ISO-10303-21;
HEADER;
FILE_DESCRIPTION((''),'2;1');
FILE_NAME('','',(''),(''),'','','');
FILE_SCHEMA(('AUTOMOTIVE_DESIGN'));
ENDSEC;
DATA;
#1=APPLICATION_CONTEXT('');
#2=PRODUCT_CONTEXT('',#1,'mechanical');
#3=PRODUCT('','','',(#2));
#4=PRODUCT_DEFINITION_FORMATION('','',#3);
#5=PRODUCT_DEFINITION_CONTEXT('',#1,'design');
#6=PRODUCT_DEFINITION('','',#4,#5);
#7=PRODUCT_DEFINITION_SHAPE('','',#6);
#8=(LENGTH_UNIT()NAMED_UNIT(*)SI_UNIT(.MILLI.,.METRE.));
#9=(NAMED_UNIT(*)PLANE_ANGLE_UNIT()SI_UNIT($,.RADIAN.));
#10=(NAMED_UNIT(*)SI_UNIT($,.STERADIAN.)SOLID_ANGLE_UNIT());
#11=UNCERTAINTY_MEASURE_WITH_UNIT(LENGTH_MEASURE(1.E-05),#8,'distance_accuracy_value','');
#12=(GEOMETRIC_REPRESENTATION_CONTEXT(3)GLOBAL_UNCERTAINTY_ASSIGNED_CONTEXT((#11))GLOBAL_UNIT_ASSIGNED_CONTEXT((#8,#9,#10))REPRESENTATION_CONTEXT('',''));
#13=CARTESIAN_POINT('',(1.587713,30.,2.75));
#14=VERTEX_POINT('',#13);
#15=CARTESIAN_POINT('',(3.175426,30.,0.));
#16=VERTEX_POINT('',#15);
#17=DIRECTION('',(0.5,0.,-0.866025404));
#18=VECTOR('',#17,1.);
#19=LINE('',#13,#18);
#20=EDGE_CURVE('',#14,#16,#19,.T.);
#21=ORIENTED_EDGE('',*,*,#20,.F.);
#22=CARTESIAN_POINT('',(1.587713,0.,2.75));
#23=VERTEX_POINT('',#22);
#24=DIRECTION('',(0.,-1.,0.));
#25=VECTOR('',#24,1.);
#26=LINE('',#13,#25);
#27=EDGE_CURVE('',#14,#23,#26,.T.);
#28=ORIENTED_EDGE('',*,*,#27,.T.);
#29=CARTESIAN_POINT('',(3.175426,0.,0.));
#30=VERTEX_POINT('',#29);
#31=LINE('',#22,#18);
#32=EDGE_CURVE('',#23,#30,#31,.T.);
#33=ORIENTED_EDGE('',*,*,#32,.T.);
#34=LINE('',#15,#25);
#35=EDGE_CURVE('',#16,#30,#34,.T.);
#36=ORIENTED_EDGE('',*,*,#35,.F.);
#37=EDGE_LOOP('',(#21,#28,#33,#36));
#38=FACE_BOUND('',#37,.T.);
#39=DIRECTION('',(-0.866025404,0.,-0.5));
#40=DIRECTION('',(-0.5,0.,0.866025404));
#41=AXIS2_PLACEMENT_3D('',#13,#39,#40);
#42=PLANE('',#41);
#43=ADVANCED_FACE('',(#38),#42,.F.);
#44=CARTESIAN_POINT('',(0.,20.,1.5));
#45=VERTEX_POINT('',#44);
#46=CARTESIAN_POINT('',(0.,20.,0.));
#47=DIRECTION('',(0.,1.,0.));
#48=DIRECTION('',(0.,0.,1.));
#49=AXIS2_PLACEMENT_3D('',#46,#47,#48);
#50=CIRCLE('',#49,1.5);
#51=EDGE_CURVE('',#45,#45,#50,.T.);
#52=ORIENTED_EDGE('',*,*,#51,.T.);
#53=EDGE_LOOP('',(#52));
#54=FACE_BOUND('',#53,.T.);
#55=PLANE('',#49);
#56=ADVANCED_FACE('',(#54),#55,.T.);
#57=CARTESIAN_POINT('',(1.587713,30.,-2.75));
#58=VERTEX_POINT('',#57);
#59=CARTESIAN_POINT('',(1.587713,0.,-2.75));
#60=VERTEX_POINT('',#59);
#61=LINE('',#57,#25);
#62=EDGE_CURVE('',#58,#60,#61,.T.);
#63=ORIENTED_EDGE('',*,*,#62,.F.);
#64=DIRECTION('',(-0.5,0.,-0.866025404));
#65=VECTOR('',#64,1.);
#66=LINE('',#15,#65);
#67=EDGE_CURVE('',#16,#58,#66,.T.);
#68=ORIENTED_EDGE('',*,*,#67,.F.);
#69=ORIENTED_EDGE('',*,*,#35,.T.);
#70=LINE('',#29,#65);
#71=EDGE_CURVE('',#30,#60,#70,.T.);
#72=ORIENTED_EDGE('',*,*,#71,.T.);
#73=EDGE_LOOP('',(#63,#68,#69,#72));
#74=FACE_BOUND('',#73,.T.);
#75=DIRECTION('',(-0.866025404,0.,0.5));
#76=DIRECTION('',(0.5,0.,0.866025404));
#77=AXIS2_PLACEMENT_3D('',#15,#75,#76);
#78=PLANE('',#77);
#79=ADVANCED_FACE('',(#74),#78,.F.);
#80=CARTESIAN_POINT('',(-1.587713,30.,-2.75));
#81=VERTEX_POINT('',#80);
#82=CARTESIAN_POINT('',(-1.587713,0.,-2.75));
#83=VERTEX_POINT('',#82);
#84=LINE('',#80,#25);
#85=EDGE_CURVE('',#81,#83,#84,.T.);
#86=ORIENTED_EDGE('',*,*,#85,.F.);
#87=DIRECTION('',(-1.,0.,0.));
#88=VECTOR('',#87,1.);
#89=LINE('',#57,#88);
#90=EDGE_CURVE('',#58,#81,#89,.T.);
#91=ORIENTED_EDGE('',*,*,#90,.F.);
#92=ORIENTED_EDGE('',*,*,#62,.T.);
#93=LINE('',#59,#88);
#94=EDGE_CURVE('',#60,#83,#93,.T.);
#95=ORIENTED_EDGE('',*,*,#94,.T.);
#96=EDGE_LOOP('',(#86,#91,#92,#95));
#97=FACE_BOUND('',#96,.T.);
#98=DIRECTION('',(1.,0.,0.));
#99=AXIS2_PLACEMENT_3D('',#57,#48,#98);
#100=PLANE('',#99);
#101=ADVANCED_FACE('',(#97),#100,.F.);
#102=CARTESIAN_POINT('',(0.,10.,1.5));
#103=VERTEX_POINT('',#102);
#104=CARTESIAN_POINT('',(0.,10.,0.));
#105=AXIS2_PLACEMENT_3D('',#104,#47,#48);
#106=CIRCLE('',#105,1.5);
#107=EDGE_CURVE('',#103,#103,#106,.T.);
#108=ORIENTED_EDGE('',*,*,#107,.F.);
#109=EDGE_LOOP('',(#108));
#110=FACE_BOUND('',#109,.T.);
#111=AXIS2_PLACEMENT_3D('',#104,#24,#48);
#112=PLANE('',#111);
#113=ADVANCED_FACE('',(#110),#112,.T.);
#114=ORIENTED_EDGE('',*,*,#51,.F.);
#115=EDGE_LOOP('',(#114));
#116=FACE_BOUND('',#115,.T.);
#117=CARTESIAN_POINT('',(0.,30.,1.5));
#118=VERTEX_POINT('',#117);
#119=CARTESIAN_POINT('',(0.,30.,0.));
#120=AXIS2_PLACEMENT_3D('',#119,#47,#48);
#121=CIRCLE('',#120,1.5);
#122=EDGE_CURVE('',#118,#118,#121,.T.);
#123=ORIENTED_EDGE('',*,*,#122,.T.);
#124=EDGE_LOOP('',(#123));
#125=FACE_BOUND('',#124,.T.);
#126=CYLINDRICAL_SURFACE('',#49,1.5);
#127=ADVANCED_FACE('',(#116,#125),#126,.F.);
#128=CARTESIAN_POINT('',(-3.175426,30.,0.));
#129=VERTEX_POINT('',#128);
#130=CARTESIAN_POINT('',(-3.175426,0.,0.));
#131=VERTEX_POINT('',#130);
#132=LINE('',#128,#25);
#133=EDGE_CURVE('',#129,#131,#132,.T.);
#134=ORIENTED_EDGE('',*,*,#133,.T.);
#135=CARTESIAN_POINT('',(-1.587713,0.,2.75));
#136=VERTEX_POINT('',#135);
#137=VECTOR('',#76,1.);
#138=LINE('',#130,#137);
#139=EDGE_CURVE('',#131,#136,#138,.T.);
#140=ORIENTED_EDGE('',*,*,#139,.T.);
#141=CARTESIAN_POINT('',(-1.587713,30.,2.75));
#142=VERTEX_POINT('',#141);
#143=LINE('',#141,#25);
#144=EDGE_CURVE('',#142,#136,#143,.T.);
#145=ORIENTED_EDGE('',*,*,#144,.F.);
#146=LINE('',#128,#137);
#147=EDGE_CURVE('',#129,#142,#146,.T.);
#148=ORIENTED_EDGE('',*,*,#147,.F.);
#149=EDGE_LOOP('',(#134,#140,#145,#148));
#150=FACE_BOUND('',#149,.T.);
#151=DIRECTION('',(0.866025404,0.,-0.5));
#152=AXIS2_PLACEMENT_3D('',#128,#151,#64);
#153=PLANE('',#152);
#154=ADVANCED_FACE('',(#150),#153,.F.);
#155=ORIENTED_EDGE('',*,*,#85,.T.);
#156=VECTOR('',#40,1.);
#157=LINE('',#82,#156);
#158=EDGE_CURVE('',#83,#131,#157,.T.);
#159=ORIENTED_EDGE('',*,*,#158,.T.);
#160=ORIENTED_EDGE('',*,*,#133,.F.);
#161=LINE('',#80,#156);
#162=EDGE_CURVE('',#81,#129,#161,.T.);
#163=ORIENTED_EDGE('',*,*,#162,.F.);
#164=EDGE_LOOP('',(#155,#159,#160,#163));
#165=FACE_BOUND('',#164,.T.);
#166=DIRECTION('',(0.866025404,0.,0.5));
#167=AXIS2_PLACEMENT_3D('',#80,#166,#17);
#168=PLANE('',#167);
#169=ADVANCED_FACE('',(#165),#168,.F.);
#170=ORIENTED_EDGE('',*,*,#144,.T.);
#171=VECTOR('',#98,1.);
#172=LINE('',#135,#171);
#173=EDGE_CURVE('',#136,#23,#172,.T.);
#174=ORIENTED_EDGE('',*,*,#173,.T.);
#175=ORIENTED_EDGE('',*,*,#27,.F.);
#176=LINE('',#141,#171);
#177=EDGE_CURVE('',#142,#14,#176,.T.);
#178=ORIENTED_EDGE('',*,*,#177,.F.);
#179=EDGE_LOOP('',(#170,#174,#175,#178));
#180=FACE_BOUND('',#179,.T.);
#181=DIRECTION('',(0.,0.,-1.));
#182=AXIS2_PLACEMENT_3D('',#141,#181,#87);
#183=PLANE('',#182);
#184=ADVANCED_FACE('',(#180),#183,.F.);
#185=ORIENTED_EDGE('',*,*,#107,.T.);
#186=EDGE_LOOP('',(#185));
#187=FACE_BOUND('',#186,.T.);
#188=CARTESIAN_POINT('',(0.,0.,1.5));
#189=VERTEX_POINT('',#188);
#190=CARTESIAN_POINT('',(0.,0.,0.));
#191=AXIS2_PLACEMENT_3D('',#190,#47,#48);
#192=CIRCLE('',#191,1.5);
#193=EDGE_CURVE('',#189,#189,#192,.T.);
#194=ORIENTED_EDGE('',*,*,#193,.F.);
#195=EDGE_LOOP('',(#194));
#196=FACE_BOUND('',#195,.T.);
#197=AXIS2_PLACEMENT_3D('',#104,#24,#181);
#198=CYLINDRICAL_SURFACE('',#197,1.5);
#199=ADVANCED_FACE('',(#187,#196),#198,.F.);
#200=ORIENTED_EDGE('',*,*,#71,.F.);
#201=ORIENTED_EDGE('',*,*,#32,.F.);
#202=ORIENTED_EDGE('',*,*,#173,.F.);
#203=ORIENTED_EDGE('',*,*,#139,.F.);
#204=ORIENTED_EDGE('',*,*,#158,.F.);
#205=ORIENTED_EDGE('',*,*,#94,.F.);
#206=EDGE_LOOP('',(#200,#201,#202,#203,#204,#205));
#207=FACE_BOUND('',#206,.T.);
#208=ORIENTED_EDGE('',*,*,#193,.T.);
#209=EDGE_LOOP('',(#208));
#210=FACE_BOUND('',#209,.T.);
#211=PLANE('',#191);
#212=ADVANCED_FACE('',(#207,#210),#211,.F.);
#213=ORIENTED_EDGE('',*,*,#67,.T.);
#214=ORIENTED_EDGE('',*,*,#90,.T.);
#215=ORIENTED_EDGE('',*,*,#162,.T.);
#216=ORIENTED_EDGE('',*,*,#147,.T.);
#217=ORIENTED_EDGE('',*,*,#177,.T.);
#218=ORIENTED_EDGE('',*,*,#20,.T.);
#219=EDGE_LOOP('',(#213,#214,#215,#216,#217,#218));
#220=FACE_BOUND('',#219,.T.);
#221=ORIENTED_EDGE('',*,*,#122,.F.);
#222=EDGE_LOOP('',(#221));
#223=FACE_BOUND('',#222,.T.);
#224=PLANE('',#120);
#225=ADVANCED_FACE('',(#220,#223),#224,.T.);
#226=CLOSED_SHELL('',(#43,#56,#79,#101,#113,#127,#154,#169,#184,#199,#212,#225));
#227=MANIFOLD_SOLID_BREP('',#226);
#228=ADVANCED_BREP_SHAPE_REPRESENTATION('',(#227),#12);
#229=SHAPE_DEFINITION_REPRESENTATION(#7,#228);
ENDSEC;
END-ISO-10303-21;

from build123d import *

# Parameters (mm, degrees)
BOSS_EXTRUDE1_DEPTH = 30
SKETCH2_R           = 1.5
CUT_EXTRUDE1_DEPTH  = 10


with BuildPart() as part:
    # Sketch1 → Boss-Extrude1 (new body)
    with BuildSketch(Plane(origin=(0, 0, 0), x_dir=(1, 0, 0), z_dir=(0, 1, 0))):
        Polygon((3.175426481, 0), (1.58771324, 2.75), (-1.58771324, 2.75), (-3.175426481, 0), (-1.58771324, -2.75), (1.58771324, -2.75), align=None)
    extrude(amount=BOSS_EXTRUDE1_DEPTH)

    # Sketch2 → Cut-Extrude1 (cut)
    with BuildSketch(Plane(origin=(0, 30, 0), x_dir=(1, 0, 0), z_dir=(0, 1, 0))):
        with Locations(Location((0, 0, 0), (0, 0, 270))):
            Circle(SKETCH2_R)
    cut_extrude1 = extrude(amount=-CUT_EXTRUDE1_DEPTH, mode=Mode.SUBTRACT)

    # Mirror1: Cut-Extrude1 across plane
    add(cut_extrude1.mirror(Plane(origin=(0, 15, 0), x_dir=(0, 0, 1), z_dir=(0, -1, 0))), mode=Mode.SUBTRACT)


solid = part.part
